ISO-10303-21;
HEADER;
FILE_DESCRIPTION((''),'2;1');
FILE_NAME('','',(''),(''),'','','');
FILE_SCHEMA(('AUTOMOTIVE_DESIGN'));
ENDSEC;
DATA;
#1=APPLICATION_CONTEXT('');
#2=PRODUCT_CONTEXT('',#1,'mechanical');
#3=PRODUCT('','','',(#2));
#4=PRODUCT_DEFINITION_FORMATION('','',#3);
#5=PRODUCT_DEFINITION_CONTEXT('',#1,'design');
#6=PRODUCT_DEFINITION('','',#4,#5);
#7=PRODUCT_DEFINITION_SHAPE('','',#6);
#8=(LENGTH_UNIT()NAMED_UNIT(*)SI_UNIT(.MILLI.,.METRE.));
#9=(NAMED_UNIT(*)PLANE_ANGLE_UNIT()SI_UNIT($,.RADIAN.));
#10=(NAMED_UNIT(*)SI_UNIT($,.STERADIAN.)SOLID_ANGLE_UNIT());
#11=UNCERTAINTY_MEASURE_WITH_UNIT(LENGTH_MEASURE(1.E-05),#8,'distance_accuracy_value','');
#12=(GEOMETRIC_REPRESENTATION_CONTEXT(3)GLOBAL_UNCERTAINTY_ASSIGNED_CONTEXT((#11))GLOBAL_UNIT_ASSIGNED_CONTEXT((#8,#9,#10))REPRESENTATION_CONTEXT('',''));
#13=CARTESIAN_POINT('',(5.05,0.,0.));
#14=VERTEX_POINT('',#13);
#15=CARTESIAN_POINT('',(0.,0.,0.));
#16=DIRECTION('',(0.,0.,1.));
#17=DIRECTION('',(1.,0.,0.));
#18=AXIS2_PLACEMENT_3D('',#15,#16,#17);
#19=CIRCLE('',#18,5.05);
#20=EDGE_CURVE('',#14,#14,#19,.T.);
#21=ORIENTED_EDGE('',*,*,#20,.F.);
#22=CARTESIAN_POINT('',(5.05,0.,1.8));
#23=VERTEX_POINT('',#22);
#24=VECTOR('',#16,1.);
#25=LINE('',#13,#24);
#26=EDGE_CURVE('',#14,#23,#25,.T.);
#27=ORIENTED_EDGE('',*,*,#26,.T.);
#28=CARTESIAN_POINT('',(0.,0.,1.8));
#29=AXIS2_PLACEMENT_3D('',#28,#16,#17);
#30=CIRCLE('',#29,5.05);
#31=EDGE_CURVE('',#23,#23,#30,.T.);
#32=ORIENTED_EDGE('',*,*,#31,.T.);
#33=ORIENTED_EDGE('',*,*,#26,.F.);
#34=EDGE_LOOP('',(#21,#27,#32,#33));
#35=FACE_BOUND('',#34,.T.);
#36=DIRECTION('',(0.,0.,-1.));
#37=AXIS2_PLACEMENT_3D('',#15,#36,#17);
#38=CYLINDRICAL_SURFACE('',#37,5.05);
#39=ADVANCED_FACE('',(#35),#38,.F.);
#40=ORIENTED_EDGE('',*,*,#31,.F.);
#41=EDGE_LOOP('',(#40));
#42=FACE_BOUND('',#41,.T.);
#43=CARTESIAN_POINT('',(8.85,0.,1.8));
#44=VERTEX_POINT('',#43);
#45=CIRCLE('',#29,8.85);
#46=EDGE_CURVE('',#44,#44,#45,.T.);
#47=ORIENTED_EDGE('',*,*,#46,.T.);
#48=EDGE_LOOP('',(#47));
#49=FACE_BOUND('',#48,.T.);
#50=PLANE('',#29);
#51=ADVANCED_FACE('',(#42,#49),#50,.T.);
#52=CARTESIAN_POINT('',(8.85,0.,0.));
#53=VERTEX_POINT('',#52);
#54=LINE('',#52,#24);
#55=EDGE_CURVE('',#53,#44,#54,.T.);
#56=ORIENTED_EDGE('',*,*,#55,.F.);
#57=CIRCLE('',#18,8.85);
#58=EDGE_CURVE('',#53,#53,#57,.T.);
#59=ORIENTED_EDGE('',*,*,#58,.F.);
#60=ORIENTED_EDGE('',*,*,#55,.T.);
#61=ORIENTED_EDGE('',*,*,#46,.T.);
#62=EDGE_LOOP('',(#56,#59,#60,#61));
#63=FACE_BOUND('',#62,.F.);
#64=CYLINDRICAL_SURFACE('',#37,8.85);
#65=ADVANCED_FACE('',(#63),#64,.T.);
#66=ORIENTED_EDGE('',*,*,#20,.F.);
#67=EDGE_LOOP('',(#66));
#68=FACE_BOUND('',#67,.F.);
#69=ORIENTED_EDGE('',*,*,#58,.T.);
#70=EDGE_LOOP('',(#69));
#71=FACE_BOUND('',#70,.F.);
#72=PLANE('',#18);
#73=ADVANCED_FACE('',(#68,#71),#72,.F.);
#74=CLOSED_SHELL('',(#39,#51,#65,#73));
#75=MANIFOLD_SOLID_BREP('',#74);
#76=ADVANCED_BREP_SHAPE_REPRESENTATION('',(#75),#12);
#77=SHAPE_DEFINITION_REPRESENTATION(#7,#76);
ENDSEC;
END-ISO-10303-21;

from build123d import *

# Parameters (mm, degrees)
SKETCH_R   = 8.85
SKETCH_R_2 = 5.05
PAD_DEPTH  = 1.8


with BuildPart() as part:
    # Sketch → Pad (new body)
    with BuildSketch(Plane.XY):
        Circle(SKETCH_R)
        Circle(SKETCH_R_2, mode=Mode.SUBTRACT)
    extrude(amount=PAD_DEPTH)


solid = part.part
